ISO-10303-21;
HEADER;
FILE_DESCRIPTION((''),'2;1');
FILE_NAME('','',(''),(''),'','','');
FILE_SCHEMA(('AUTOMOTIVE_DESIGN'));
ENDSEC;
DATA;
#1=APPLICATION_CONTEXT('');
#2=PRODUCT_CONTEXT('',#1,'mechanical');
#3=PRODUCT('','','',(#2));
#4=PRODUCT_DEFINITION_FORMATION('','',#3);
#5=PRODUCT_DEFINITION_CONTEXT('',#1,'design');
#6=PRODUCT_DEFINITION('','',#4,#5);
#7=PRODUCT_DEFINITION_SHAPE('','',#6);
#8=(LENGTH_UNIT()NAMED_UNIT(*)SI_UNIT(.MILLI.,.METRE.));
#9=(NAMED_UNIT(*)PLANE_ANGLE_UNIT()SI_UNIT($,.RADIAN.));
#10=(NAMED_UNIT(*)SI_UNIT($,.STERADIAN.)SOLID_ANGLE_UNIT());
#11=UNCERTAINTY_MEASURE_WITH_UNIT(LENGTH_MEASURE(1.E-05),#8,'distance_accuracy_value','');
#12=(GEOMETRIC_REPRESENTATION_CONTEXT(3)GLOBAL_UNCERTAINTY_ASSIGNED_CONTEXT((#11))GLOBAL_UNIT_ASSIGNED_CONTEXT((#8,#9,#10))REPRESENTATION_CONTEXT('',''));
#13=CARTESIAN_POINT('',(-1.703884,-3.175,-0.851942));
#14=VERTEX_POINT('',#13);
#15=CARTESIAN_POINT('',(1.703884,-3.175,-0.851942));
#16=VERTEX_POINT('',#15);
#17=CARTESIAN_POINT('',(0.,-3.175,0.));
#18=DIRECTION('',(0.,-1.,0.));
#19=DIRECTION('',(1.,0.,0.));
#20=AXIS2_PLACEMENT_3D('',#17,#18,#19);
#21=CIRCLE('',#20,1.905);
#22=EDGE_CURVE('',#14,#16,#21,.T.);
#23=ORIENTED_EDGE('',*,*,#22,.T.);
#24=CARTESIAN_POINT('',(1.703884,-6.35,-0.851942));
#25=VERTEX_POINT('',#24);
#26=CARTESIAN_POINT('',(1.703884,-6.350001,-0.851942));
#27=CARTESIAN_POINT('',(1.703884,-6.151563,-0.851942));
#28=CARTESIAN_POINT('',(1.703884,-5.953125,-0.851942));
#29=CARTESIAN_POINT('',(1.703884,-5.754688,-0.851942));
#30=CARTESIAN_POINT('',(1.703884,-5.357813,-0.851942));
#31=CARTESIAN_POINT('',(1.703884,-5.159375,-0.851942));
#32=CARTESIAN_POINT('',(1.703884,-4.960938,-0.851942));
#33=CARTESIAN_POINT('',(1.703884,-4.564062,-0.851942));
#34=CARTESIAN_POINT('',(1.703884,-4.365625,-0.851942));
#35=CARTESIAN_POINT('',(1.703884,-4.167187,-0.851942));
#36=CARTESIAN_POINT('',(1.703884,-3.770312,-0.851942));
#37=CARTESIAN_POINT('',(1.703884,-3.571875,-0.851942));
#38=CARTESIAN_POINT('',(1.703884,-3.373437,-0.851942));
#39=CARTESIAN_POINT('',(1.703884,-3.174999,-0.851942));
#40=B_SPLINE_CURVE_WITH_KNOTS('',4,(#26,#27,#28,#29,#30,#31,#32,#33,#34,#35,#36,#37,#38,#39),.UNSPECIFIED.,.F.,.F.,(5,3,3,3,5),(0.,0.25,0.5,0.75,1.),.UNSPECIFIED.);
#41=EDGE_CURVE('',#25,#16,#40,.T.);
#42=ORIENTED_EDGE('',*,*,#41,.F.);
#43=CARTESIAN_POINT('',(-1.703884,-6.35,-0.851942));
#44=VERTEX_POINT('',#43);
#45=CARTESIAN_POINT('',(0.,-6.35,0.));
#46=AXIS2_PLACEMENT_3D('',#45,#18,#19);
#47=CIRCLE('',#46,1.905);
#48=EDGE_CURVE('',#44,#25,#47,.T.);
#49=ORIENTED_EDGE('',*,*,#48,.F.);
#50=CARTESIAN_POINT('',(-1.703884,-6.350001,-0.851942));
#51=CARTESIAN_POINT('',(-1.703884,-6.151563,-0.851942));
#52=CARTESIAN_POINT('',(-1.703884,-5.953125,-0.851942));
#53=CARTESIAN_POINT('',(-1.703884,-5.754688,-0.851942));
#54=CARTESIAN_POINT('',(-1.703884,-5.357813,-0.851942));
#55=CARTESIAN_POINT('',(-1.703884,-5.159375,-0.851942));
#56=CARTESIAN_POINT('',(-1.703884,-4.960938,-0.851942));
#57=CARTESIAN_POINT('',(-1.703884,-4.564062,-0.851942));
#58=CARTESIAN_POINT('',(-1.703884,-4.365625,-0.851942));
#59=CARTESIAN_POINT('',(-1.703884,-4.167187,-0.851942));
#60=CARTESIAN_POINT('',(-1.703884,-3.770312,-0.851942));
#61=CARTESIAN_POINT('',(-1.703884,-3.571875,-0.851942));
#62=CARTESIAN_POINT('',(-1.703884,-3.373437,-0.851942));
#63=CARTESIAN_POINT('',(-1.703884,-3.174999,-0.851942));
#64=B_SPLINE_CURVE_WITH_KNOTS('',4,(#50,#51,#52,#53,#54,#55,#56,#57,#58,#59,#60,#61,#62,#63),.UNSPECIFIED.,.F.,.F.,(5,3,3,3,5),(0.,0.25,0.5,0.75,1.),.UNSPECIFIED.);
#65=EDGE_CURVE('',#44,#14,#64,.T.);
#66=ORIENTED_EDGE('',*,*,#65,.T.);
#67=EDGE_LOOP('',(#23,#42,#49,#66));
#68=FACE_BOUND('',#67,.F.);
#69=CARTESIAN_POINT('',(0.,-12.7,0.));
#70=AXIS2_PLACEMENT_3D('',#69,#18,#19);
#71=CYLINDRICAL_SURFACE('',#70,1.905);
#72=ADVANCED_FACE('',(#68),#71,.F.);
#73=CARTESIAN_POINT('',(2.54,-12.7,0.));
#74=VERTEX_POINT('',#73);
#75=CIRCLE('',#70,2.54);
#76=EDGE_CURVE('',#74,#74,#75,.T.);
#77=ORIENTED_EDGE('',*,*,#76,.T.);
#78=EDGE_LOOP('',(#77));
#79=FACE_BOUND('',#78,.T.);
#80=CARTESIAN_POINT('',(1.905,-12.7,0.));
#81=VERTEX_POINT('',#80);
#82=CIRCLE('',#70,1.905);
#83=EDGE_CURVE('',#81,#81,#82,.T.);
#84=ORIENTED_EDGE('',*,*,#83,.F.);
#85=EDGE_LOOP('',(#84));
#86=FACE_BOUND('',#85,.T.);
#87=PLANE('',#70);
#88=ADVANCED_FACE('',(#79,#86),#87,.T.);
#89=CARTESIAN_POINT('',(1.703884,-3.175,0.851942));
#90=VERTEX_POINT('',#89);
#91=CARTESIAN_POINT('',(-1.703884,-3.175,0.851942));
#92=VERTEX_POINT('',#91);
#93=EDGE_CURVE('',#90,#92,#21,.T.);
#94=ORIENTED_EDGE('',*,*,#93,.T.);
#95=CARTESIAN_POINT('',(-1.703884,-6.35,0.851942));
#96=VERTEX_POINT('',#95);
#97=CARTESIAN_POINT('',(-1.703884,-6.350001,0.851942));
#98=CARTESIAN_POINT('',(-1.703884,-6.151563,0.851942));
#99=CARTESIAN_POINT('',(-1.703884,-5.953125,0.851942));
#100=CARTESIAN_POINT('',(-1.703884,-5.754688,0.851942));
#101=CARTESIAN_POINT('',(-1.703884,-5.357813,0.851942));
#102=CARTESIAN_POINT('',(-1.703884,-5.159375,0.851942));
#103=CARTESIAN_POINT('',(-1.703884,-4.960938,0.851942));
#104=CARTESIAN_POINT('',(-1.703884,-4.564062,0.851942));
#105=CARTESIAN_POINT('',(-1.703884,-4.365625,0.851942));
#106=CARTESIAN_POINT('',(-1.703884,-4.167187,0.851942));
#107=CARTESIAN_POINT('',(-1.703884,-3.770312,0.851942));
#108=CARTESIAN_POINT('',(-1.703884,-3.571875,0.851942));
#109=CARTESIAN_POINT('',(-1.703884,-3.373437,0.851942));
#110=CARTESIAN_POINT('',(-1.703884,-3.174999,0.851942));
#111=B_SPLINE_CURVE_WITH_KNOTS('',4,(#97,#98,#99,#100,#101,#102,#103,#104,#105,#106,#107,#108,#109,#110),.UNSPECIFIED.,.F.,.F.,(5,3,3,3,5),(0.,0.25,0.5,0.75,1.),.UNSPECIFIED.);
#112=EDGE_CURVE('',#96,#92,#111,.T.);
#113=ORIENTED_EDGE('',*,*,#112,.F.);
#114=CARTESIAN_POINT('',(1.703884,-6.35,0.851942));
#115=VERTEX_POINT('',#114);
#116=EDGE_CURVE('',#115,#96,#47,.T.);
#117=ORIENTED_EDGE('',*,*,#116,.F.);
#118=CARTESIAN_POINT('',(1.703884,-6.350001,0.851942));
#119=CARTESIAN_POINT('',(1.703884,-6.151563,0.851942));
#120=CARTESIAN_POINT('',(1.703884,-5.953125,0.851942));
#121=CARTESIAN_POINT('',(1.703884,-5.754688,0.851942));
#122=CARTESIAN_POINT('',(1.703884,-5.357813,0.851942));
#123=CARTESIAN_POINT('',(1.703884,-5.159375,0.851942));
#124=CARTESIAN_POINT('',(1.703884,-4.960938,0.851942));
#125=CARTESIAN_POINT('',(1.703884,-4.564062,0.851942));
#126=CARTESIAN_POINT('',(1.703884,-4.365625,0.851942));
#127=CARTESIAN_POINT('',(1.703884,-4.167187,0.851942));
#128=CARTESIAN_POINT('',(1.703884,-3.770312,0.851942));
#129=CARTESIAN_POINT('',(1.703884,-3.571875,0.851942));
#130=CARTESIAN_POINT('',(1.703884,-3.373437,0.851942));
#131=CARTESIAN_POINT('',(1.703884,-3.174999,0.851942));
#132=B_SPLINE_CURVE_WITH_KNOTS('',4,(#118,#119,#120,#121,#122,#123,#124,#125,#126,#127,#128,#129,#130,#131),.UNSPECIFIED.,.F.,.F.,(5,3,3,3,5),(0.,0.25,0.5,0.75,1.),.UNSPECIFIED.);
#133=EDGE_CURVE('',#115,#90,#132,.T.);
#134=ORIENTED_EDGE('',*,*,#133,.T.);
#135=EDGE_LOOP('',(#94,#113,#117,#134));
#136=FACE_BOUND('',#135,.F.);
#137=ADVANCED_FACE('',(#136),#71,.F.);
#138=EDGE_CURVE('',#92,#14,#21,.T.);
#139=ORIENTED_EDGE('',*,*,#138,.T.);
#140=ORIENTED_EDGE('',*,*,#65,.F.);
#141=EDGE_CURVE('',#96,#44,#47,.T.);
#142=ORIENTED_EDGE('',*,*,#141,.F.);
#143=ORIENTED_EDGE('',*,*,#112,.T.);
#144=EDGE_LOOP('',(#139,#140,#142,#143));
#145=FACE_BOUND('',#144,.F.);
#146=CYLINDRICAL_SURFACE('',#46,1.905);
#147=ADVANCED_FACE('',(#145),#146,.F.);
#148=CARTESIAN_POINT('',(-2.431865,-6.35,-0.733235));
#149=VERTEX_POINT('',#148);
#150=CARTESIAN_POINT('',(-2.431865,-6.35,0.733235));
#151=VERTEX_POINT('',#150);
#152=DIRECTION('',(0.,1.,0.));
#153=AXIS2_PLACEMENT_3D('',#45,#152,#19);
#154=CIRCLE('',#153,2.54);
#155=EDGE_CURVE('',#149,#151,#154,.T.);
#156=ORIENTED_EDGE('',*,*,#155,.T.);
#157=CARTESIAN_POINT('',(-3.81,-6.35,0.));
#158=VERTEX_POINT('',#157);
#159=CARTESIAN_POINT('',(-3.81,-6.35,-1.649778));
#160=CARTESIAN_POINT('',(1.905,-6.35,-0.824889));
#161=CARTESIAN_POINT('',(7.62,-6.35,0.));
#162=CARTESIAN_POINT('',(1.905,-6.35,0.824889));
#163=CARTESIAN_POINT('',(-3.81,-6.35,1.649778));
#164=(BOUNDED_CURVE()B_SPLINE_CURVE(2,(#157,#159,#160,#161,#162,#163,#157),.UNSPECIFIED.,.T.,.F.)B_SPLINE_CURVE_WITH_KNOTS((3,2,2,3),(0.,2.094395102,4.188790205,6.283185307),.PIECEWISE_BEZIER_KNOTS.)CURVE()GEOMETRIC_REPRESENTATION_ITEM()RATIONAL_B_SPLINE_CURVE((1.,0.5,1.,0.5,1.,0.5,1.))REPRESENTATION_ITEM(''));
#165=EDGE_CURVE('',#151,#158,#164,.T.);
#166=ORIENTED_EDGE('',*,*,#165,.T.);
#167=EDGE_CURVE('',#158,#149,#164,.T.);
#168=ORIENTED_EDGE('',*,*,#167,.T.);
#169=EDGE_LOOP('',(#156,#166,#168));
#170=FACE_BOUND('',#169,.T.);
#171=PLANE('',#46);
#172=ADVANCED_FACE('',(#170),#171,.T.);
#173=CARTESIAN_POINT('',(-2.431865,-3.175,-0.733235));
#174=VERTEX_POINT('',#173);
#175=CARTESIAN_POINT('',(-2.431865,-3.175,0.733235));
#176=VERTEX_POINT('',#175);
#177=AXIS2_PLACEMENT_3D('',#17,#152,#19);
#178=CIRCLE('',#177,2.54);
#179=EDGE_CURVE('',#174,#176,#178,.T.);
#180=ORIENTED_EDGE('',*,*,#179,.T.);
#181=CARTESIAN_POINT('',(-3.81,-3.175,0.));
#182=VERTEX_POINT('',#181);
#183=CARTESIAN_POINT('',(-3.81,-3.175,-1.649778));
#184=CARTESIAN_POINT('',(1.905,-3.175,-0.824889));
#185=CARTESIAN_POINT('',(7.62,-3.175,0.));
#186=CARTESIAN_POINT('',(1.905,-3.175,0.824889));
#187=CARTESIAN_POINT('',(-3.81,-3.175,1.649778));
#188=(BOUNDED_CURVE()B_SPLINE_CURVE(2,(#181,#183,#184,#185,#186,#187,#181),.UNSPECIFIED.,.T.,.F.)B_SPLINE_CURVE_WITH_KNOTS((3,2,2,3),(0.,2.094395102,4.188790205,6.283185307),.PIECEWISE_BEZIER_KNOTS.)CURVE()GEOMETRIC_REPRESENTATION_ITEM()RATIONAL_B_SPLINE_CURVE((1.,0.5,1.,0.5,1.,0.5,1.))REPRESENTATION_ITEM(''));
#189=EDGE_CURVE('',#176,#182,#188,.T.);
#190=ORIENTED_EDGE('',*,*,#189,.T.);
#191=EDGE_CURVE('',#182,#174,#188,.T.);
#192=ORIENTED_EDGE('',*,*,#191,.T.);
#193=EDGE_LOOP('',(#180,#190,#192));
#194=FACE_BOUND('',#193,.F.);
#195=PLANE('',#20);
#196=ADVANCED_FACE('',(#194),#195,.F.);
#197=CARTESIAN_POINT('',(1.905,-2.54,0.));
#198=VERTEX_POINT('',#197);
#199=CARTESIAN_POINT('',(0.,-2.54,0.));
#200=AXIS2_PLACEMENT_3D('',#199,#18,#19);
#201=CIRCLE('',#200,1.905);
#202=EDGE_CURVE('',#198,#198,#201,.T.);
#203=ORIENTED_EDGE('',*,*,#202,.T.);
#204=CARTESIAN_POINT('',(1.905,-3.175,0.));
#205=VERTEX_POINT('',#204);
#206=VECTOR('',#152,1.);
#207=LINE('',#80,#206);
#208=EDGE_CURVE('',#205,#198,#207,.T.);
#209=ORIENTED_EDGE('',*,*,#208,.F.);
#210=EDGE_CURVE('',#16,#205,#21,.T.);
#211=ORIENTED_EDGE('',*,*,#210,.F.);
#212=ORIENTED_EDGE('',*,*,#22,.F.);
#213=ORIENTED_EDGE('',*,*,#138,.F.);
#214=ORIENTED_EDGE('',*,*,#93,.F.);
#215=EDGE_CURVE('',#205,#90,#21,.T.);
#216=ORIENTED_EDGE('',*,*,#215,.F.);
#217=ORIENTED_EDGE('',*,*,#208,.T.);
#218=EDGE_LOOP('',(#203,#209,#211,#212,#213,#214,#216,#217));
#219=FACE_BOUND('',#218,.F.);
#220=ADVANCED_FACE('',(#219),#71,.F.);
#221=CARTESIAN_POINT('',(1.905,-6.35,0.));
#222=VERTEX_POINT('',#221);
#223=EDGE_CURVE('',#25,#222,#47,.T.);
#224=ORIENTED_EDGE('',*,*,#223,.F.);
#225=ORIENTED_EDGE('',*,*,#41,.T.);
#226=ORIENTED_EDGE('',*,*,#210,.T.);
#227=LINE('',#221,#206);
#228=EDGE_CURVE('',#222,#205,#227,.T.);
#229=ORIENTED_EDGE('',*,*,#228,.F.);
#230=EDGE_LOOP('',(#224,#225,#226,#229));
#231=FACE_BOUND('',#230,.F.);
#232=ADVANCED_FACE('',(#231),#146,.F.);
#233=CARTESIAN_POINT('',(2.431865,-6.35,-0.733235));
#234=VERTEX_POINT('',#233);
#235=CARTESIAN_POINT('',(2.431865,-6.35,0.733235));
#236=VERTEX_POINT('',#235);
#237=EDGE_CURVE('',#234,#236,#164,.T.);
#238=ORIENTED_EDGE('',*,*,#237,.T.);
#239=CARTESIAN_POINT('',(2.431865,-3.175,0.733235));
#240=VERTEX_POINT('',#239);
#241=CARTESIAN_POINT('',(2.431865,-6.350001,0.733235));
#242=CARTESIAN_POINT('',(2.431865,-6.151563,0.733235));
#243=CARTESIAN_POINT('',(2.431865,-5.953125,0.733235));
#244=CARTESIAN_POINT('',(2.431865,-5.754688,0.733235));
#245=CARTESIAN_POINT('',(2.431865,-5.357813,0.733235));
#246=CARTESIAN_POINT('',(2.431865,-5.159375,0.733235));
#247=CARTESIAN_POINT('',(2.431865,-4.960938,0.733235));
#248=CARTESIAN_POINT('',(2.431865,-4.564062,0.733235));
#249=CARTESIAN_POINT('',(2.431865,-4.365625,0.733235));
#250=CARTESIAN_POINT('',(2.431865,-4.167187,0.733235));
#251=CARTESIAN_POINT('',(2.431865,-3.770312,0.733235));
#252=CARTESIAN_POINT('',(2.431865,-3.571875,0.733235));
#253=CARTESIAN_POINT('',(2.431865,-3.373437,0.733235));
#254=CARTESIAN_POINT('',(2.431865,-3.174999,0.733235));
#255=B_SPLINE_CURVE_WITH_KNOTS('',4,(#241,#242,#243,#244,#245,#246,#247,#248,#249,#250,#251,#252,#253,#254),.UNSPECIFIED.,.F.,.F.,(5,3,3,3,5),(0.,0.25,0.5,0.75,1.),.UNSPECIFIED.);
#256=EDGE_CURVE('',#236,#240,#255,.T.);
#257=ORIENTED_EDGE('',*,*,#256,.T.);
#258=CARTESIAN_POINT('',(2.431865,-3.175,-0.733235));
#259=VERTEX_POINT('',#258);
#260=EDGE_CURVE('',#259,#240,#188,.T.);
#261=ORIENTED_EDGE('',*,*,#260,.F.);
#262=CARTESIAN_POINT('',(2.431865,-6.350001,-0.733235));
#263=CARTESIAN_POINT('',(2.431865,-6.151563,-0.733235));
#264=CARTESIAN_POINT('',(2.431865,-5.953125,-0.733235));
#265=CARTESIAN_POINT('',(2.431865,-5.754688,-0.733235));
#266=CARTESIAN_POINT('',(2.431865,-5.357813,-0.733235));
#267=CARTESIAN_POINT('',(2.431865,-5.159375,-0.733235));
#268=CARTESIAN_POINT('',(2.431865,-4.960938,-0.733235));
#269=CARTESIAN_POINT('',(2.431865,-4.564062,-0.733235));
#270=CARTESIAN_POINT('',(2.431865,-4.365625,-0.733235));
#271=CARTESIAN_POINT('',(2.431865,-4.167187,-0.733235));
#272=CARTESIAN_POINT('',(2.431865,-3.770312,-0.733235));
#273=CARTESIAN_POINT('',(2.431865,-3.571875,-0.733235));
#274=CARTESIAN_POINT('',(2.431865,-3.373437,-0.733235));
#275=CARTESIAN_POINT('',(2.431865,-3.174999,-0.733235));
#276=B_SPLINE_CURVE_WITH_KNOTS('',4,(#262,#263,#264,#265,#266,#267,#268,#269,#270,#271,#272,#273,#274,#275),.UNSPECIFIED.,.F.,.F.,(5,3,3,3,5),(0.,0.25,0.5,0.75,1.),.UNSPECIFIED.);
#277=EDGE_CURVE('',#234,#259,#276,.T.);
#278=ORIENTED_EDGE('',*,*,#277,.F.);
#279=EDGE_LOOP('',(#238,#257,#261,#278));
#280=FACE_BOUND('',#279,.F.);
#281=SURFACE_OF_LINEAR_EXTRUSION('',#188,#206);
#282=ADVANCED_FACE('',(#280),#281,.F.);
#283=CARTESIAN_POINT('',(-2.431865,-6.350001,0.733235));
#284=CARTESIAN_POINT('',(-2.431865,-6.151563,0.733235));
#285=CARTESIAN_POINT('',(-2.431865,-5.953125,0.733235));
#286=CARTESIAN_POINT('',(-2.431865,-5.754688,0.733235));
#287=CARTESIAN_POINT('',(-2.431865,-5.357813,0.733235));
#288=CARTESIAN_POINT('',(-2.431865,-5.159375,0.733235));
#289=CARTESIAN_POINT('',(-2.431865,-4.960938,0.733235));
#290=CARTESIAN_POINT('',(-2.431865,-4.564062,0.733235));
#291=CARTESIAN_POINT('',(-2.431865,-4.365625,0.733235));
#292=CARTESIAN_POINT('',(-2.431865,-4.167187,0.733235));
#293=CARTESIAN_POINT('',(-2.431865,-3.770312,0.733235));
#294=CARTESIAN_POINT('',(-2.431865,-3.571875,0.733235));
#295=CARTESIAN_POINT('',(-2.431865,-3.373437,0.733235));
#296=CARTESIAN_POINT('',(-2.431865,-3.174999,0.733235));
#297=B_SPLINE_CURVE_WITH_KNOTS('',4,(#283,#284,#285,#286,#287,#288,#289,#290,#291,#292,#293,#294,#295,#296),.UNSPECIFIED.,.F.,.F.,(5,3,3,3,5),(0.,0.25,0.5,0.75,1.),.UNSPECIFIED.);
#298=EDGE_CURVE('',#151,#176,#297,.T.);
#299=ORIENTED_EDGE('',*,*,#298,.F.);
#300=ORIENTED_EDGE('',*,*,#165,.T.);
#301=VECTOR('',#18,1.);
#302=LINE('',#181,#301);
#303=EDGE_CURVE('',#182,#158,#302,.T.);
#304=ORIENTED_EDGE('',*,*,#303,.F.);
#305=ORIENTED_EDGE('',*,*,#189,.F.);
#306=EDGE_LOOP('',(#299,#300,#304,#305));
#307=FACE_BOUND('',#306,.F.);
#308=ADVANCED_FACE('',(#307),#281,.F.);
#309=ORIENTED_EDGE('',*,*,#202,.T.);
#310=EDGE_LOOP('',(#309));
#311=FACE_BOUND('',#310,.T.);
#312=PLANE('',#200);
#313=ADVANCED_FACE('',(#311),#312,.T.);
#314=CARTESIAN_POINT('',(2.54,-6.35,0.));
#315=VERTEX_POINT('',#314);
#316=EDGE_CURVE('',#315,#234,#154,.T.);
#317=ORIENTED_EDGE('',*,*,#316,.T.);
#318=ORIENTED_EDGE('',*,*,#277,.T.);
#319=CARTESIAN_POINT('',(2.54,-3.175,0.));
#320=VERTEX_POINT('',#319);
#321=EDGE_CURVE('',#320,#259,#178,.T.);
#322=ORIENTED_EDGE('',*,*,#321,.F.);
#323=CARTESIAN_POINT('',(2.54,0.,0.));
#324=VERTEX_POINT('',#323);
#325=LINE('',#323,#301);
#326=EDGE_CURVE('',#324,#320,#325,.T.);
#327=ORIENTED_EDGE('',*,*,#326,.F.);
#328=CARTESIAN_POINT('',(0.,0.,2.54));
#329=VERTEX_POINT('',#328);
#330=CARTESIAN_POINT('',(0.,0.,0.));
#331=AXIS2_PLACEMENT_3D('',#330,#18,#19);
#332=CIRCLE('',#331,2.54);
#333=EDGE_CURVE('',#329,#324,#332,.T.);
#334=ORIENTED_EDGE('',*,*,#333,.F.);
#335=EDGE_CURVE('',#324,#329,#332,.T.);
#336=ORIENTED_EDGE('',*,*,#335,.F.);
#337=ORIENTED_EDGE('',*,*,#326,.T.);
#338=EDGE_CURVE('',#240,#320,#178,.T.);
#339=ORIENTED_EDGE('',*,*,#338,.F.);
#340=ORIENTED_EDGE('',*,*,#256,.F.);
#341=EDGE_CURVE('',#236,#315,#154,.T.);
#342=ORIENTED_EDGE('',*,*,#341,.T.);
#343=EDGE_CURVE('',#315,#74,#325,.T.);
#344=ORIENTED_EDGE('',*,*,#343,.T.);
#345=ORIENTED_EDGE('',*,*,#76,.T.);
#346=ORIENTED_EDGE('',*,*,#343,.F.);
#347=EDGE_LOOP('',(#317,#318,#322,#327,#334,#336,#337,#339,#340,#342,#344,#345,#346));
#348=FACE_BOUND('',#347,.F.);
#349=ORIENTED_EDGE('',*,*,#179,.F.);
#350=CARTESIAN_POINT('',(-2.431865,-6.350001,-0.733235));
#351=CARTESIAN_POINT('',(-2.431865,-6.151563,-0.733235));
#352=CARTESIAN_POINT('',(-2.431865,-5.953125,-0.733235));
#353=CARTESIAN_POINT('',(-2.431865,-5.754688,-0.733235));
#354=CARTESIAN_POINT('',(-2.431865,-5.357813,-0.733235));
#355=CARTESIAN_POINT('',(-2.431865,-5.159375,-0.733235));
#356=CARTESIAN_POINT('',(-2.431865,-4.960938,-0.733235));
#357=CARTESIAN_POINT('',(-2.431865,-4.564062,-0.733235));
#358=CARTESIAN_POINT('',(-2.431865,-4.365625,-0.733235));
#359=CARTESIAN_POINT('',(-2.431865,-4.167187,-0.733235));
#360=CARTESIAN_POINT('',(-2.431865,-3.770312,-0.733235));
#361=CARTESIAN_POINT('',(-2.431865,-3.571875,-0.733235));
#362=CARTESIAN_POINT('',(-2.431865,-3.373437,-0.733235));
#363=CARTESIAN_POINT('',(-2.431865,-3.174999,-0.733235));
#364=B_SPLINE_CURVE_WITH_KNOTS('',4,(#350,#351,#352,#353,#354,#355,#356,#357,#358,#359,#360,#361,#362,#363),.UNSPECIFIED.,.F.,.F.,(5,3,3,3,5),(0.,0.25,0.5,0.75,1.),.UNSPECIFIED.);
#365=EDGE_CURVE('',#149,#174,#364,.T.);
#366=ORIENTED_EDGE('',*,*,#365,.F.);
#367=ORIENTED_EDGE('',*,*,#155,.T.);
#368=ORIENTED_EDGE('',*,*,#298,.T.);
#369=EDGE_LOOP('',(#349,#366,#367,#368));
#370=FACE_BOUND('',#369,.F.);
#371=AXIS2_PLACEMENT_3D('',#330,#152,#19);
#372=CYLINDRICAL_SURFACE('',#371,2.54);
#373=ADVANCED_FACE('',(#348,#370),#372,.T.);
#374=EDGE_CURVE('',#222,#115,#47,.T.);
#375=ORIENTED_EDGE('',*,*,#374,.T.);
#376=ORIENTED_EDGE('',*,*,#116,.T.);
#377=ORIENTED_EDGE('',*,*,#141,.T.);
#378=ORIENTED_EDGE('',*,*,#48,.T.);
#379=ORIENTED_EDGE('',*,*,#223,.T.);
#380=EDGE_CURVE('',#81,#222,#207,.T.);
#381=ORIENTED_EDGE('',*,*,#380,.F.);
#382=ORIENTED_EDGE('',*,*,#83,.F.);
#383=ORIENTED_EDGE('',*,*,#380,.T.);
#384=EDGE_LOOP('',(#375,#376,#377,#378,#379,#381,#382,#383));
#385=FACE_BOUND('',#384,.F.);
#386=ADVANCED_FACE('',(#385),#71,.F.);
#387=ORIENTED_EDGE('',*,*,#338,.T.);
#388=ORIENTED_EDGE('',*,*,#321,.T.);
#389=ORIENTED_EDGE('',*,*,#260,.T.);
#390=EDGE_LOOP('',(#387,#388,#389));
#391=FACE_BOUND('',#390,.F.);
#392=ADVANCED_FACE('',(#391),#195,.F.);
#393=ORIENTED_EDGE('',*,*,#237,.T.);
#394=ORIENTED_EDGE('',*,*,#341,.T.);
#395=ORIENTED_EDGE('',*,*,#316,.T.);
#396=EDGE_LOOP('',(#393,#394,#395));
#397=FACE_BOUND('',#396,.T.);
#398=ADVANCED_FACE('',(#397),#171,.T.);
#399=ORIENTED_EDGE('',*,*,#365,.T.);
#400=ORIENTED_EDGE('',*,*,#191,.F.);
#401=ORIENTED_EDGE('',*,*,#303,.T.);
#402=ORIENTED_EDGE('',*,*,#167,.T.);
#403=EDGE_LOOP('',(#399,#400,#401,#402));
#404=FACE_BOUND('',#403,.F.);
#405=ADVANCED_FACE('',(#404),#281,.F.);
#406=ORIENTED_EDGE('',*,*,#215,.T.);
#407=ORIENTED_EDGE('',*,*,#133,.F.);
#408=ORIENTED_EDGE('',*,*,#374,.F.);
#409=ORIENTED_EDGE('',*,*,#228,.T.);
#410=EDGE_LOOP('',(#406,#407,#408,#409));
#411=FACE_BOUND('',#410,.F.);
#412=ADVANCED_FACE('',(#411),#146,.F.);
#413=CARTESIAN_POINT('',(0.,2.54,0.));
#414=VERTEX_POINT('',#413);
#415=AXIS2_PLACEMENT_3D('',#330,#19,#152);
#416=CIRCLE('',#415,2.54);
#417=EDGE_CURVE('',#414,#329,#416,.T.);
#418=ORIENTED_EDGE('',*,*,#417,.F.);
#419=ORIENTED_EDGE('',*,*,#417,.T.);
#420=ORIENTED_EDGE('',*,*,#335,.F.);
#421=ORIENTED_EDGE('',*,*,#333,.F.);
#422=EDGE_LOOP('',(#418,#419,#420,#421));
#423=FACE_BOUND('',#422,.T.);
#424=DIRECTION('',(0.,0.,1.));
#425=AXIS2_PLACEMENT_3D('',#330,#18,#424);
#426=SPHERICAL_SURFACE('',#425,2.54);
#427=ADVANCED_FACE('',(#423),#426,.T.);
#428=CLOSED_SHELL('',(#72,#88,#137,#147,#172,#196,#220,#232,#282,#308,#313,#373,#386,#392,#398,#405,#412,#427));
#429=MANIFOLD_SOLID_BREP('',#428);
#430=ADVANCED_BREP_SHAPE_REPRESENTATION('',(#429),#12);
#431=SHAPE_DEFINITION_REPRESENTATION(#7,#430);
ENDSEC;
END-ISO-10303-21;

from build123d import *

# Parameters (mm, degrees)
F1_R      = 2.54
F2_DEPTH  = 12.7
F3_R      = 1.905
F4_DEPTH  = 10.16
F10_DEPTH = 3.175
F11_R     = 1.905
F12_DEPTH = 3.175


with BuildPart() as f2:
    # F1 (on Front) → F2 (new body)
    with BuildSketch(Plane.XZ):
        Circle(F1_R)
    extrude(amount=F2_DEPTH)

    # F3 (on face) → F4 (cut)
    with BuildSketch(Plane.XZ.offset(12.7)):
        Circle(F3_R)
    extrude(amount=-F4_DEPTH, mode=Mode.SUBTRACT)

    # F5 (on Right) → F7 (revolve)
    with BuildSketch(Plane.YZ):
        with BuildLine():
            ThreePointArc((2.54, 0), (1.7960512242, 1.7960512242), (0, 2.54))
            Line((0, 2.54), (0, 0))
            Line((0, 0), (2.54, 0))
        make_face()
    revolve(axis=Axis((0, 0.1524034305, 0), (0, -1, 0)))

    # F9 (on offset) → F10 (join)
    with BuildSketch(Plane.XZ.offset(3.175)):
        with BuildLine():
            add(Edge.make_bspline(
                [(-3.81, 0), (-3.81, -1.6497783942), (1.905, -0.8248891971), (7.62, 0), (1.905, 0.8248891971), (-3.81, 1.6497783942), (-3.81, 0)],
                knots=[0, 0, 0, 2.0943951024, 2.0943951024, 4.1887902048, 4.1887902048, 6.2831853072, 6.2831853072, 6.2831853072], degree=2, weights=[1, 0.5, 1, 0.5, 1, 0.5, 1]))
        make_face()
    extrude(amount=F10_DEPTH)

    # F11 (on face) → F12 (cut)
    with BuildSketch(Plane.XZ.offset(6.35)):
        Circle(F11_R)
    extrude(amount=-F12_DEPTH, mode=Mode.SUBTRACT)


solid = f2.part
